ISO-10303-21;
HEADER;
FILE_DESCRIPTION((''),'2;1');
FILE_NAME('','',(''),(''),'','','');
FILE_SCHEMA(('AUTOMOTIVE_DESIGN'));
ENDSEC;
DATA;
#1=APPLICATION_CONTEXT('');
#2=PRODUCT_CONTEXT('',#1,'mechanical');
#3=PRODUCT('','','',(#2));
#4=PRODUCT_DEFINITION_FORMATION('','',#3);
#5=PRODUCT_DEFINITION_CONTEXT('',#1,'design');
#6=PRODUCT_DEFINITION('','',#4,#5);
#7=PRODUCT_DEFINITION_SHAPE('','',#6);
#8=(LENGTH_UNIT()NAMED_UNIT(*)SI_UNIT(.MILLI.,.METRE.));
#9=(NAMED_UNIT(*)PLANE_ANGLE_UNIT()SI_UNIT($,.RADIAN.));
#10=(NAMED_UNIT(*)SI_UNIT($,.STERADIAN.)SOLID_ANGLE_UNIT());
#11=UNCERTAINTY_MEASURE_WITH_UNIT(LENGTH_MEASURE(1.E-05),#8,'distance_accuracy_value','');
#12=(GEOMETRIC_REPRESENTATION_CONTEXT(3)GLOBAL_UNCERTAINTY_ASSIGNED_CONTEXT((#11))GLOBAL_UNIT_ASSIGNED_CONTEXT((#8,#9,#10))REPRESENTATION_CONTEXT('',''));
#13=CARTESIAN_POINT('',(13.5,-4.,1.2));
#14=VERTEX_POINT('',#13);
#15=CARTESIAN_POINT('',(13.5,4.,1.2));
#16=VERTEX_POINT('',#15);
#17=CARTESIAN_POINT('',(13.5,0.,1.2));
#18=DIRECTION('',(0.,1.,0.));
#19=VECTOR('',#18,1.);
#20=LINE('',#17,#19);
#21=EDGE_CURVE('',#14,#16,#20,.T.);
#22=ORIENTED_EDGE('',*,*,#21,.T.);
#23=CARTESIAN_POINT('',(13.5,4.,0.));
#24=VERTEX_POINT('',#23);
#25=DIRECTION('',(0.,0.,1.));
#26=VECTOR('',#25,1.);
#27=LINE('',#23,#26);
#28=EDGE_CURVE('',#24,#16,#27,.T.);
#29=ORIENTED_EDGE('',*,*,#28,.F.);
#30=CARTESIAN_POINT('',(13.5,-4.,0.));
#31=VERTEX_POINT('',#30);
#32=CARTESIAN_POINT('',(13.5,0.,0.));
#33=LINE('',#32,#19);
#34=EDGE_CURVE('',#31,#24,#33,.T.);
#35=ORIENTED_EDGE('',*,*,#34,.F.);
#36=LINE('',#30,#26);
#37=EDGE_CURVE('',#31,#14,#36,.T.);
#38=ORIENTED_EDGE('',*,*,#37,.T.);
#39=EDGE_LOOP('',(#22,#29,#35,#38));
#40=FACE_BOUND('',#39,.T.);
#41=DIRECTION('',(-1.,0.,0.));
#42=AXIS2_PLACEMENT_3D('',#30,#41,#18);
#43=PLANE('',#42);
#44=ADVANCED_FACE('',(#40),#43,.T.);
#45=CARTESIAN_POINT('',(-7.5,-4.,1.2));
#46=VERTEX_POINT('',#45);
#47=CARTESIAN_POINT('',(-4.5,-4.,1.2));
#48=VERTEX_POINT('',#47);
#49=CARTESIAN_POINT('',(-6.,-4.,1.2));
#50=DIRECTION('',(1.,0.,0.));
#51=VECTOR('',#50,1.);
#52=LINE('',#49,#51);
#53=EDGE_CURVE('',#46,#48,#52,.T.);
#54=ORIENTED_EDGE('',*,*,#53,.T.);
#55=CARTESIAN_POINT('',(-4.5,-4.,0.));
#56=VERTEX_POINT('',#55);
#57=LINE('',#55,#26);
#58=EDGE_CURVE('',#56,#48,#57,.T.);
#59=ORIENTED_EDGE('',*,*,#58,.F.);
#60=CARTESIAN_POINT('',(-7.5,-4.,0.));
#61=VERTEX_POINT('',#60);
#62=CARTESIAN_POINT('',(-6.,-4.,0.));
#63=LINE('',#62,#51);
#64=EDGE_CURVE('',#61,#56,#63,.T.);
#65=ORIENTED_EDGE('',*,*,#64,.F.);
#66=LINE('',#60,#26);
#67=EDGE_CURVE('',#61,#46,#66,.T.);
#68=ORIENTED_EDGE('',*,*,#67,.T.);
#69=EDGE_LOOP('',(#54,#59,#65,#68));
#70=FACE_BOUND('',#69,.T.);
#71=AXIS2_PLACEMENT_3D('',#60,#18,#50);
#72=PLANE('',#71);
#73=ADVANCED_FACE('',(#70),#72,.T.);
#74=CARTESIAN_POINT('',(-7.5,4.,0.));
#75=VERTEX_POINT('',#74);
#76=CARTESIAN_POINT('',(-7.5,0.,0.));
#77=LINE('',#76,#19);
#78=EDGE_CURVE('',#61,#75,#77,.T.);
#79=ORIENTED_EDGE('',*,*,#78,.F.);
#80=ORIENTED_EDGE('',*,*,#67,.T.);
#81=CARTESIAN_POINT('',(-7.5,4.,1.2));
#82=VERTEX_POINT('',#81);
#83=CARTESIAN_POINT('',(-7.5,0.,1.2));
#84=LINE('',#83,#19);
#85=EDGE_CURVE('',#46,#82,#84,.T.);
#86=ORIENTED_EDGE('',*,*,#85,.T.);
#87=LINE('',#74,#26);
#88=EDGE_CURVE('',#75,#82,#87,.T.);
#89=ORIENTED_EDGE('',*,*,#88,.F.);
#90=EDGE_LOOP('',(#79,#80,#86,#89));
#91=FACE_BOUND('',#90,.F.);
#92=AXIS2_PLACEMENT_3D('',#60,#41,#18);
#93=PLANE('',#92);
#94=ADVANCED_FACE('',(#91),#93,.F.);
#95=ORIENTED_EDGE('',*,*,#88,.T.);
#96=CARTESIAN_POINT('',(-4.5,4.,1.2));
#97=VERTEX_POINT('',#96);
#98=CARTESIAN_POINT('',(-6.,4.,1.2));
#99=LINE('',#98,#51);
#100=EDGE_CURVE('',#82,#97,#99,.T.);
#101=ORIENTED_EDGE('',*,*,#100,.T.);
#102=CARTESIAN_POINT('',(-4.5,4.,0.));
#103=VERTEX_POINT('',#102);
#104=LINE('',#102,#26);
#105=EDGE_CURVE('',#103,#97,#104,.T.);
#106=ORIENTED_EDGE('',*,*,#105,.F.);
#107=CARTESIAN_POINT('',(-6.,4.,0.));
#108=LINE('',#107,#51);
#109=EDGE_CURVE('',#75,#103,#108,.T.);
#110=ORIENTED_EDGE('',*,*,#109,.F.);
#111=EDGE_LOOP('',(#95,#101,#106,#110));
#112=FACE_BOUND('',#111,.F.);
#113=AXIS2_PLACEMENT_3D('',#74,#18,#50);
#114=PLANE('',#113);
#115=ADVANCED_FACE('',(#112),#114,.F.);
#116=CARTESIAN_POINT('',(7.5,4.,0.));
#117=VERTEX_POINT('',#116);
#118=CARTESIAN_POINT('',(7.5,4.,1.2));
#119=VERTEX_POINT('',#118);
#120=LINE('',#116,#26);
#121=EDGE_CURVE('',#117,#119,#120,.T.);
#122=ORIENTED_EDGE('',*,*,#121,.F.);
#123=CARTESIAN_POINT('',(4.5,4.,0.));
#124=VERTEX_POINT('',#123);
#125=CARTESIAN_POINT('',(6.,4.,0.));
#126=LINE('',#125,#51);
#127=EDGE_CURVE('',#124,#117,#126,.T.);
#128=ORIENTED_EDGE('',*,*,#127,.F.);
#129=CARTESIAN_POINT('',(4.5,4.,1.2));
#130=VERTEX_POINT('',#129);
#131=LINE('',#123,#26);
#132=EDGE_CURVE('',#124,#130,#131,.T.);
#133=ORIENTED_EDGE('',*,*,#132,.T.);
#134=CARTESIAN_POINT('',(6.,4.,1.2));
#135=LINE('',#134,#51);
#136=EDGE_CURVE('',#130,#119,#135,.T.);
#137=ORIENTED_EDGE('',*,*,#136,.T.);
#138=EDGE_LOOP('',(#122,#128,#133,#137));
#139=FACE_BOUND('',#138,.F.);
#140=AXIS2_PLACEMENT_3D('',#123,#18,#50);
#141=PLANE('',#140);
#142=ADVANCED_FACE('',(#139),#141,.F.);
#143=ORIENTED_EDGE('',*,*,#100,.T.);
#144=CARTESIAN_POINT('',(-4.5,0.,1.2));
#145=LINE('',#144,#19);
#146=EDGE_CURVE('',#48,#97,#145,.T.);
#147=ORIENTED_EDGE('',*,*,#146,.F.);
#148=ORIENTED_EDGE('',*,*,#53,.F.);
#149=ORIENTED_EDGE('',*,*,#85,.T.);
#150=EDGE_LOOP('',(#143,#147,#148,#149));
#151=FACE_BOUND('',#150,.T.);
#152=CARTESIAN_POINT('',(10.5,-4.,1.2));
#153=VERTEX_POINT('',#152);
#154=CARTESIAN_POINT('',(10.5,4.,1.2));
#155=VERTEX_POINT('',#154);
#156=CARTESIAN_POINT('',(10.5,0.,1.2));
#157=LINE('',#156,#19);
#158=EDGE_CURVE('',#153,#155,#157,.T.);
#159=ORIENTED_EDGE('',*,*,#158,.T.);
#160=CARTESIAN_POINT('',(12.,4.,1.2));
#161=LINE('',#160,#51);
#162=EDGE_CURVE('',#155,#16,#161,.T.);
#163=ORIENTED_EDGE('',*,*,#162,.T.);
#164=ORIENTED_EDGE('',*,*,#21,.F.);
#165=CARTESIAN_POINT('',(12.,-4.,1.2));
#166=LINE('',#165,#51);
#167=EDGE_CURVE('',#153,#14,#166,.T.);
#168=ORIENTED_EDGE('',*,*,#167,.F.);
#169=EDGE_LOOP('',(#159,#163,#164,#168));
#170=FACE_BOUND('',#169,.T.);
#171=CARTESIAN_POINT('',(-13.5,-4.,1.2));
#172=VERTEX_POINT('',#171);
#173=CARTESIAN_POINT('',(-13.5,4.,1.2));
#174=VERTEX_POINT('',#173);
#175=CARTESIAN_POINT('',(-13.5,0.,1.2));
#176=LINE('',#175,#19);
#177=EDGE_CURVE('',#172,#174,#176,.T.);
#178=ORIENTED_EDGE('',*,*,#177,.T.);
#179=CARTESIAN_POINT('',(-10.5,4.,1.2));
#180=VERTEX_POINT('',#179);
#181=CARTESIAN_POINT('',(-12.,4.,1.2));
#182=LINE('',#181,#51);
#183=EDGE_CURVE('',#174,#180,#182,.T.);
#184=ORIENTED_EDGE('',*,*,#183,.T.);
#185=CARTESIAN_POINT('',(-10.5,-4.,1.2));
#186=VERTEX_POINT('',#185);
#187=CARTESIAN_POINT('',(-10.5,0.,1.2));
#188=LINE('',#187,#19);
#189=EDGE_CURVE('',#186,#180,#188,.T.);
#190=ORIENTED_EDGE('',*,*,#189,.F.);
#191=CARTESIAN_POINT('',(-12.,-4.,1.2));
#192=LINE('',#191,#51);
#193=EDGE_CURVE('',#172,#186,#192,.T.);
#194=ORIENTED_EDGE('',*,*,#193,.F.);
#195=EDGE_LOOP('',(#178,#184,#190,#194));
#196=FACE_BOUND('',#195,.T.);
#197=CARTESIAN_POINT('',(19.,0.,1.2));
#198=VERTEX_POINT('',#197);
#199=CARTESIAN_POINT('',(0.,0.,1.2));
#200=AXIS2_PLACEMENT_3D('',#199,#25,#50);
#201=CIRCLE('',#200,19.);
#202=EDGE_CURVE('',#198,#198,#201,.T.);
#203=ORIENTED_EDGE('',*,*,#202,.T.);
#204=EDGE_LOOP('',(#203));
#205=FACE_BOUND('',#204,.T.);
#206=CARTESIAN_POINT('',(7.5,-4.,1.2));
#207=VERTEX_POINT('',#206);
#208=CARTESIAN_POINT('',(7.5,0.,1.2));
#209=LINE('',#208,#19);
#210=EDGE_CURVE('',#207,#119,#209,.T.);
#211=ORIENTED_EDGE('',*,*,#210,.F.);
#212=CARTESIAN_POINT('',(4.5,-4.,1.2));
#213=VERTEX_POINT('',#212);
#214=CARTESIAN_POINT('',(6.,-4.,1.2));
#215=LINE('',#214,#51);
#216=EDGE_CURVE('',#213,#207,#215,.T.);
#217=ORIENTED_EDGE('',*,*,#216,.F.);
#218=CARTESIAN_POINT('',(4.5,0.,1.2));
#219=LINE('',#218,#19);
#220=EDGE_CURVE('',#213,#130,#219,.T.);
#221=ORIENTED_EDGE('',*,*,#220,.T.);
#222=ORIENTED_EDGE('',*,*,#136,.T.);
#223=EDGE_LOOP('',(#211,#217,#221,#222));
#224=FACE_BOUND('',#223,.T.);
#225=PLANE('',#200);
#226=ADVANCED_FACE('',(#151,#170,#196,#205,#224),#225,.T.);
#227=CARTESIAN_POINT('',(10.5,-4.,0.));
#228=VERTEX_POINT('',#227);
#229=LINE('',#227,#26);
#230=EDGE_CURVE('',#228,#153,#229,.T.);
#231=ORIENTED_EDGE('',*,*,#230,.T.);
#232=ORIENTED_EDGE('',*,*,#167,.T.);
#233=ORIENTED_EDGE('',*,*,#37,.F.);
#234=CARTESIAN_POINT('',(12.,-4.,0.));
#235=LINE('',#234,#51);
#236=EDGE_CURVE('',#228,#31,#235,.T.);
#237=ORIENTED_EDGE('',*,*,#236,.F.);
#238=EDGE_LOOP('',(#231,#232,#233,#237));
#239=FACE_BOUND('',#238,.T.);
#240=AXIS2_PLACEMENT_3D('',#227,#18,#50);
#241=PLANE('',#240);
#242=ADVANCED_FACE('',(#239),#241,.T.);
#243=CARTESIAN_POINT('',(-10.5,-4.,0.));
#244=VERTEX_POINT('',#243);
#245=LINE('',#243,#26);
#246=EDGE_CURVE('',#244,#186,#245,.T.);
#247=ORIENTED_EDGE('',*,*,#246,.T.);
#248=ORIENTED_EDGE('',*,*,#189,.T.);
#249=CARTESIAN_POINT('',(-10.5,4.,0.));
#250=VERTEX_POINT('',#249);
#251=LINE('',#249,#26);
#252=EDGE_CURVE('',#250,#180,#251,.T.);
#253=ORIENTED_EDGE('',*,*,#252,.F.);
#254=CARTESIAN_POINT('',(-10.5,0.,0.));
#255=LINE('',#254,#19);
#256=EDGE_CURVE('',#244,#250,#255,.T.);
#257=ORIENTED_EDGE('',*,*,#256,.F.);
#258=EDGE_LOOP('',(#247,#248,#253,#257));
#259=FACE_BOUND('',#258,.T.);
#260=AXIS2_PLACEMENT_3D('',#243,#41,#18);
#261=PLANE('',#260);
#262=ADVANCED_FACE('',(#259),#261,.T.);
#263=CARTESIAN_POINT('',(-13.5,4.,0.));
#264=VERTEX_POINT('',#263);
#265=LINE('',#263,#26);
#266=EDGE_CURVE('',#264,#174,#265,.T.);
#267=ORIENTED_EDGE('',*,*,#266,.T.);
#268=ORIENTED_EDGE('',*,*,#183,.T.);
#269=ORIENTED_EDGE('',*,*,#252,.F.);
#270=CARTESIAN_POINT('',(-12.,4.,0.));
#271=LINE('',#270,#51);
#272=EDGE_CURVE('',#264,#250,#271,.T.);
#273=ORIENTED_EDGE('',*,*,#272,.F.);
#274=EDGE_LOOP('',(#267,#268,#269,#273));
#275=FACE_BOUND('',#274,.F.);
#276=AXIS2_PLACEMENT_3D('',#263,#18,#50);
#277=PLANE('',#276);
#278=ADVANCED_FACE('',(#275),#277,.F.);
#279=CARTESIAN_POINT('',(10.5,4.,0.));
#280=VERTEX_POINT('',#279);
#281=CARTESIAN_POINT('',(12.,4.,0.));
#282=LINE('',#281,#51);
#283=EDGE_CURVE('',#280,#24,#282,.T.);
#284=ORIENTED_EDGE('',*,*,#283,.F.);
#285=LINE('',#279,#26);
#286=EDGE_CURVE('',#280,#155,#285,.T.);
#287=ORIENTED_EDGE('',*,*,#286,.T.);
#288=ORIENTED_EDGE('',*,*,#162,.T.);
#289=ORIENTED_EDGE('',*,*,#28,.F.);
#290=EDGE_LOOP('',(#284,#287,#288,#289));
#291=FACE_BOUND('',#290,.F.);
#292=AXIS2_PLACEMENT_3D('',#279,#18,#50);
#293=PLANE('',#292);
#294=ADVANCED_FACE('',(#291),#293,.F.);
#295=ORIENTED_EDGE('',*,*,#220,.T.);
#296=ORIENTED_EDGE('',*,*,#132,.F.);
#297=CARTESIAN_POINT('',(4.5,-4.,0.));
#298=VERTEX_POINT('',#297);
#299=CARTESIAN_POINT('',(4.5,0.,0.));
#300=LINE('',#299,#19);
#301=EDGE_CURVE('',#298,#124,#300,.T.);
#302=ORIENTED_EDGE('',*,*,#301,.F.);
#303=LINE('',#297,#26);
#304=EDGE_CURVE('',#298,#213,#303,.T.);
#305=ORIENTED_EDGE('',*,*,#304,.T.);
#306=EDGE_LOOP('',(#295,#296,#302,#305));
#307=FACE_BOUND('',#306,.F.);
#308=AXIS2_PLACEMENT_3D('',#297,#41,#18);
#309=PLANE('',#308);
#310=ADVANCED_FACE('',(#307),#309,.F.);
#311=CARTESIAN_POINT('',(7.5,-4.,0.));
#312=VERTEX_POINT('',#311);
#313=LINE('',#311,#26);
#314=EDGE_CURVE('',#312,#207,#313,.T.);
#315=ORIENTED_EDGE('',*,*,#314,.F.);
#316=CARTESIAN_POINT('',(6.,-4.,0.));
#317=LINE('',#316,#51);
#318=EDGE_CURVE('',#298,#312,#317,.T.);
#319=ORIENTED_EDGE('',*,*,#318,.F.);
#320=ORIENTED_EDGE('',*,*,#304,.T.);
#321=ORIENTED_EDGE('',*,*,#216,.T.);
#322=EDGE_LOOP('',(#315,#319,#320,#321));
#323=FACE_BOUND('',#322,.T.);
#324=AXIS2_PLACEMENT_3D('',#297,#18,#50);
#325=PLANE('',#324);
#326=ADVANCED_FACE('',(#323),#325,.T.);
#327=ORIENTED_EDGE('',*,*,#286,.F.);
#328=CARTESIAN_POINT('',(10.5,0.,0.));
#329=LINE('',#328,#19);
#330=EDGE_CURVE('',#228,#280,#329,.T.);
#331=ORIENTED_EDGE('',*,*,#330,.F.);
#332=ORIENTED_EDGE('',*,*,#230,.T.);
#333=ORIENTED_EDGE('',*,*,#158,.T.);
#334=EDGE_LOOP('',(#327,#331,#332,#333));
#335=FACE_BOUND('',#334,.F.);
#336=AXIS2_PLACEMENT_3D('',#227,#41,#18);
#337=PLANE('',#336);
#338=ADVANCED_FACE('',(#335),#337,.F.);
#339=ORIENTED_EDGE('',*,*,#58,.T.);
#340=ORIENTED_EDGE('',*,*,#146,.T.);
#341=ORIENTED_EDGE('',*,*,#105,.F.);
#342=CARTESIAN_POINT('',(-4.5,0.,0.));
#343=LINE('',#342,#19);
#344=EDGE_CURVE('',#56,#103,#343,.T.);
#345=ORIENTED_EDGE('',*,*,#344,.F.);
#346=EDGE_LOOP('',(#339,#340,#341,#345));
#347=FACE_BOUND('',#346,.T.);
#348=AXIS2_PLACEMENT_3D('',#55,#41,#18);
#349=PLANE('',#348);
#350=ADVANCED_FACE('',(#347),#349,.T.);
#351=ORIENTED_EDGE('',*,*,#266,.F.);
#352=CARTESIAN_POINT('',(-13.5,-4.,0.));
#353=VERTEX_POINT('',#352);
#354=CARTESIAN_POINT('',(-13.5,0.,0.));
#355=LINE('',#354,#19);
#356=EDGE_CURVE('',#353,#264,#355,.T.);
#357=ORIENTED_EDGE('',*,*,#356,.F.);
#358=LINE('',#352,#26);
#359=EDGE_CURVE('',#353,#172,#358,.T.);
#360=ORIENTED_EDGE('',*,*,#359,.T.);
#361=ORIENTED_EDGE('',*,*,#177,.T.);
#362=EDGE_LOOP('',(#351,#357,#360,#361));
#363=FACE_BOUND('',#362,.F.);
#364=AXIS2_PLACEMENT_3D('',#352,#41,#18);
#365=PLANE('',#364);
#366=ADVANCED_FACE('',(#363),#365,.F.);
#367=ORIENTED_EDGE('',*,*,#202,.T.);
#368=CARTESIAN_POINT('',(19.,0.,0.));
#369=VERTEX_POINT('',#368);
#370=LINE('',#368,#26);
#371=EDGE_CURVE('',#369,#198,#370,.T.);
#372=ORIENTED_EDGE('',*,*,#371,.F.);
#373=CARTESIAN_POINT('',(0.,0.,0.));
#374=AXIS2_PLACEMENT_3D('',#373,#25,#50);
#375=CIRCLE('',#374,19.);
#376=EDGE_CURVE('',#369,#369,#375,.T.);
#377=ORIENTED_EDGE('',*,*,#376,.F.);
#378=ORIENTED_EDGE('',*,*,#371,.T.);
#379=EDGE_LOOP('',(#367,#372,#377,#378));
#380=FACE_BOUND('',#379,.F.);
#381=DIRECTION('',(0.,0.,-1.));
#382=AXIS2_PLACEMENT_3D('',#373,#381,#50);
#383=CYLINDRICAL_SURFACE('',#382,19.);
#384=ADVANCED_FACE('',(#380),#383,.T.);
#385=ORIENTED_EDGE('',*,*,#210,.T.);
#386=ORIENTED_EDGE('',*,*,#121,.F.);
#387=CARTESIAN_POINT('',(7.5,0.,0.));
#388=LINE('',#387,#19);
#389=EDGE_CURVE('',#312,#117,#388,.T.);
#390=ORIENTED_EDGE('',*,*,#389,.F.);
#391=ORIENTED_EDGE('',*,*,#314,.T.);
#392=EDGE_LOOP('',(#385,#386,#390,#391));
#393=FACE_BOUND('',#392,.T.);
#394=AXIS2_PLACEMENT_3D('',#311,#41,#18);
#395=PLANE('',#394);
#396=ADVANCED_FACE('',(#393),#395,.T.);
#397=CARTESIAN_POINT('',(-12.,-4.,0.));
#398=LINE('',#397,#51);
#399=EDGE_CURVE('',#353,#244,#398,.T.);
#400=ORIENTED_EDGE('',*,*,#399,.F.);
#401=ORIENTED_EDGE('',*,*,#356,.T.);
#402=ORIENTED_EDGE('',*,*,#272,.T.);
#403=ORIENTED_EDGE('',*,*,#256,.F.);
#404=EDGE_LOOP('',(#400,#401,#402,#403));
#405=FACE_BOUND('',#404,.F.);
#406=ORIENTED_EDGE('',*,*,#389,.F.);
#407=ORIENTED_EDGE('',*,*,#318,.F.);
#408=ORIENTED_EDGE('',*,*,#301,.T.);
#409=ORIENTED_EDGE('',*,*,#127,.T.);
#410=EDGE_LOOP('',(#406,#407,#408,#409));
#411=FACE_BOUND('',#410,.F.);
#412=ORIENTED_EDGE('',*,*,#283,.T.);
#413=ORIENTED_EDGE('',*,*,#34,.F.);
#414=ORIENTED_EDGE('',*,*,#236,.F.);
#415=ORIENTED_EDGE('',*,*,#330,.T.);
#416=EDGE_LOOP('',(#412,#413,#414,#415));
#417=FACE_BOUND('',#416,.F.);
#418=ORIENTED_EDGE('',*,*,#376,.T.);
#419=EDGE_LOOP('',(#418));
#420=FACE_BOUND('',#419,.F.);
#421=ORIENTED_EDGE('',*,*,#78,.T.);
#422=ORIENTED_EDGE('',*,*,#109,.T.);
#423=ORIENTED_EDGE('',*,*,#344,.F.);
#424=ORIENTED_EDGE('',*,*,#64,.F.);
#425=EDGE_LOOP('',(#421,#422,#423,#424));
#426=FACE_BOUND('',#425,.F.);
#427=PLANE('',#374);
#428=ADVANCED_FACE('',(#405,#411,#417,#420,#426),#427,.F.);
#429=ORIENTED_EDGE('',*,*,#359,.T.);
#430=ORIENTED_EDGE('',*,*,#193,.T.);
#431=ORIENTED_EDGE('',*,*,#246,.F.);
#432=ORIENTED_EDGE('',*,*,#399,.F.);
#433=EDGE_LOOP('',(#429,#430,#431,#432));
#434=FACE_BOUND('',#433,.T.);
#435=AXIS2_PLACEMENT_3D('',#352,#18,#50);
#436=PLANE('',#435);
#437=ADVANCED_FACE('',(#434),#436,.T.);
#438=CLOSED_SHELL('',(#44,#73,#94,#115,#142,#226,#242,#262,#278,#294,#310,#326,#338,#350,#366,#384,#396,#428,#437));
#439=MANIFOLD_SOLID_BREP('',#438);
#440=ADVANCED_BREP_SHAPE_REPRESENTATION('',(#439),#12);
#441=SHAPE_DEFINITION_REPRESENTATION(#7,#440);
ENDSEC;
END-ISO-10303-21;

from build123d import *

# Parameters (mm, degrees)
F0_R     = 19
F0_W     = 3
F0_H     = 8
F1_DEPTH = 1.2


with BuildPart() as f1:
    # F0 (on Top) → F1 (new body)
    with BuildSketch(Plane.XY):
        Circle(F0_R)
        with Locations((-12, 0)):
            Rectangle(F0_W, F0_H, mode=Mode.SUBTRACT)
        with Locations((-6, 0)):
            Rectangle(F0_W, F0_H, mode=Mode.SUBTRACT)
        with Locations((6, 0)):
            Rectangle(F0_W, F0_H, mode=Mode.SUBTRACT)
        with Locations((12, 0)):
            Rectangle(F0_W, F0_H, mode=Mode.SUBTRACT)
    extrude(amount=F1_DEPTH)


solid = f1.part
